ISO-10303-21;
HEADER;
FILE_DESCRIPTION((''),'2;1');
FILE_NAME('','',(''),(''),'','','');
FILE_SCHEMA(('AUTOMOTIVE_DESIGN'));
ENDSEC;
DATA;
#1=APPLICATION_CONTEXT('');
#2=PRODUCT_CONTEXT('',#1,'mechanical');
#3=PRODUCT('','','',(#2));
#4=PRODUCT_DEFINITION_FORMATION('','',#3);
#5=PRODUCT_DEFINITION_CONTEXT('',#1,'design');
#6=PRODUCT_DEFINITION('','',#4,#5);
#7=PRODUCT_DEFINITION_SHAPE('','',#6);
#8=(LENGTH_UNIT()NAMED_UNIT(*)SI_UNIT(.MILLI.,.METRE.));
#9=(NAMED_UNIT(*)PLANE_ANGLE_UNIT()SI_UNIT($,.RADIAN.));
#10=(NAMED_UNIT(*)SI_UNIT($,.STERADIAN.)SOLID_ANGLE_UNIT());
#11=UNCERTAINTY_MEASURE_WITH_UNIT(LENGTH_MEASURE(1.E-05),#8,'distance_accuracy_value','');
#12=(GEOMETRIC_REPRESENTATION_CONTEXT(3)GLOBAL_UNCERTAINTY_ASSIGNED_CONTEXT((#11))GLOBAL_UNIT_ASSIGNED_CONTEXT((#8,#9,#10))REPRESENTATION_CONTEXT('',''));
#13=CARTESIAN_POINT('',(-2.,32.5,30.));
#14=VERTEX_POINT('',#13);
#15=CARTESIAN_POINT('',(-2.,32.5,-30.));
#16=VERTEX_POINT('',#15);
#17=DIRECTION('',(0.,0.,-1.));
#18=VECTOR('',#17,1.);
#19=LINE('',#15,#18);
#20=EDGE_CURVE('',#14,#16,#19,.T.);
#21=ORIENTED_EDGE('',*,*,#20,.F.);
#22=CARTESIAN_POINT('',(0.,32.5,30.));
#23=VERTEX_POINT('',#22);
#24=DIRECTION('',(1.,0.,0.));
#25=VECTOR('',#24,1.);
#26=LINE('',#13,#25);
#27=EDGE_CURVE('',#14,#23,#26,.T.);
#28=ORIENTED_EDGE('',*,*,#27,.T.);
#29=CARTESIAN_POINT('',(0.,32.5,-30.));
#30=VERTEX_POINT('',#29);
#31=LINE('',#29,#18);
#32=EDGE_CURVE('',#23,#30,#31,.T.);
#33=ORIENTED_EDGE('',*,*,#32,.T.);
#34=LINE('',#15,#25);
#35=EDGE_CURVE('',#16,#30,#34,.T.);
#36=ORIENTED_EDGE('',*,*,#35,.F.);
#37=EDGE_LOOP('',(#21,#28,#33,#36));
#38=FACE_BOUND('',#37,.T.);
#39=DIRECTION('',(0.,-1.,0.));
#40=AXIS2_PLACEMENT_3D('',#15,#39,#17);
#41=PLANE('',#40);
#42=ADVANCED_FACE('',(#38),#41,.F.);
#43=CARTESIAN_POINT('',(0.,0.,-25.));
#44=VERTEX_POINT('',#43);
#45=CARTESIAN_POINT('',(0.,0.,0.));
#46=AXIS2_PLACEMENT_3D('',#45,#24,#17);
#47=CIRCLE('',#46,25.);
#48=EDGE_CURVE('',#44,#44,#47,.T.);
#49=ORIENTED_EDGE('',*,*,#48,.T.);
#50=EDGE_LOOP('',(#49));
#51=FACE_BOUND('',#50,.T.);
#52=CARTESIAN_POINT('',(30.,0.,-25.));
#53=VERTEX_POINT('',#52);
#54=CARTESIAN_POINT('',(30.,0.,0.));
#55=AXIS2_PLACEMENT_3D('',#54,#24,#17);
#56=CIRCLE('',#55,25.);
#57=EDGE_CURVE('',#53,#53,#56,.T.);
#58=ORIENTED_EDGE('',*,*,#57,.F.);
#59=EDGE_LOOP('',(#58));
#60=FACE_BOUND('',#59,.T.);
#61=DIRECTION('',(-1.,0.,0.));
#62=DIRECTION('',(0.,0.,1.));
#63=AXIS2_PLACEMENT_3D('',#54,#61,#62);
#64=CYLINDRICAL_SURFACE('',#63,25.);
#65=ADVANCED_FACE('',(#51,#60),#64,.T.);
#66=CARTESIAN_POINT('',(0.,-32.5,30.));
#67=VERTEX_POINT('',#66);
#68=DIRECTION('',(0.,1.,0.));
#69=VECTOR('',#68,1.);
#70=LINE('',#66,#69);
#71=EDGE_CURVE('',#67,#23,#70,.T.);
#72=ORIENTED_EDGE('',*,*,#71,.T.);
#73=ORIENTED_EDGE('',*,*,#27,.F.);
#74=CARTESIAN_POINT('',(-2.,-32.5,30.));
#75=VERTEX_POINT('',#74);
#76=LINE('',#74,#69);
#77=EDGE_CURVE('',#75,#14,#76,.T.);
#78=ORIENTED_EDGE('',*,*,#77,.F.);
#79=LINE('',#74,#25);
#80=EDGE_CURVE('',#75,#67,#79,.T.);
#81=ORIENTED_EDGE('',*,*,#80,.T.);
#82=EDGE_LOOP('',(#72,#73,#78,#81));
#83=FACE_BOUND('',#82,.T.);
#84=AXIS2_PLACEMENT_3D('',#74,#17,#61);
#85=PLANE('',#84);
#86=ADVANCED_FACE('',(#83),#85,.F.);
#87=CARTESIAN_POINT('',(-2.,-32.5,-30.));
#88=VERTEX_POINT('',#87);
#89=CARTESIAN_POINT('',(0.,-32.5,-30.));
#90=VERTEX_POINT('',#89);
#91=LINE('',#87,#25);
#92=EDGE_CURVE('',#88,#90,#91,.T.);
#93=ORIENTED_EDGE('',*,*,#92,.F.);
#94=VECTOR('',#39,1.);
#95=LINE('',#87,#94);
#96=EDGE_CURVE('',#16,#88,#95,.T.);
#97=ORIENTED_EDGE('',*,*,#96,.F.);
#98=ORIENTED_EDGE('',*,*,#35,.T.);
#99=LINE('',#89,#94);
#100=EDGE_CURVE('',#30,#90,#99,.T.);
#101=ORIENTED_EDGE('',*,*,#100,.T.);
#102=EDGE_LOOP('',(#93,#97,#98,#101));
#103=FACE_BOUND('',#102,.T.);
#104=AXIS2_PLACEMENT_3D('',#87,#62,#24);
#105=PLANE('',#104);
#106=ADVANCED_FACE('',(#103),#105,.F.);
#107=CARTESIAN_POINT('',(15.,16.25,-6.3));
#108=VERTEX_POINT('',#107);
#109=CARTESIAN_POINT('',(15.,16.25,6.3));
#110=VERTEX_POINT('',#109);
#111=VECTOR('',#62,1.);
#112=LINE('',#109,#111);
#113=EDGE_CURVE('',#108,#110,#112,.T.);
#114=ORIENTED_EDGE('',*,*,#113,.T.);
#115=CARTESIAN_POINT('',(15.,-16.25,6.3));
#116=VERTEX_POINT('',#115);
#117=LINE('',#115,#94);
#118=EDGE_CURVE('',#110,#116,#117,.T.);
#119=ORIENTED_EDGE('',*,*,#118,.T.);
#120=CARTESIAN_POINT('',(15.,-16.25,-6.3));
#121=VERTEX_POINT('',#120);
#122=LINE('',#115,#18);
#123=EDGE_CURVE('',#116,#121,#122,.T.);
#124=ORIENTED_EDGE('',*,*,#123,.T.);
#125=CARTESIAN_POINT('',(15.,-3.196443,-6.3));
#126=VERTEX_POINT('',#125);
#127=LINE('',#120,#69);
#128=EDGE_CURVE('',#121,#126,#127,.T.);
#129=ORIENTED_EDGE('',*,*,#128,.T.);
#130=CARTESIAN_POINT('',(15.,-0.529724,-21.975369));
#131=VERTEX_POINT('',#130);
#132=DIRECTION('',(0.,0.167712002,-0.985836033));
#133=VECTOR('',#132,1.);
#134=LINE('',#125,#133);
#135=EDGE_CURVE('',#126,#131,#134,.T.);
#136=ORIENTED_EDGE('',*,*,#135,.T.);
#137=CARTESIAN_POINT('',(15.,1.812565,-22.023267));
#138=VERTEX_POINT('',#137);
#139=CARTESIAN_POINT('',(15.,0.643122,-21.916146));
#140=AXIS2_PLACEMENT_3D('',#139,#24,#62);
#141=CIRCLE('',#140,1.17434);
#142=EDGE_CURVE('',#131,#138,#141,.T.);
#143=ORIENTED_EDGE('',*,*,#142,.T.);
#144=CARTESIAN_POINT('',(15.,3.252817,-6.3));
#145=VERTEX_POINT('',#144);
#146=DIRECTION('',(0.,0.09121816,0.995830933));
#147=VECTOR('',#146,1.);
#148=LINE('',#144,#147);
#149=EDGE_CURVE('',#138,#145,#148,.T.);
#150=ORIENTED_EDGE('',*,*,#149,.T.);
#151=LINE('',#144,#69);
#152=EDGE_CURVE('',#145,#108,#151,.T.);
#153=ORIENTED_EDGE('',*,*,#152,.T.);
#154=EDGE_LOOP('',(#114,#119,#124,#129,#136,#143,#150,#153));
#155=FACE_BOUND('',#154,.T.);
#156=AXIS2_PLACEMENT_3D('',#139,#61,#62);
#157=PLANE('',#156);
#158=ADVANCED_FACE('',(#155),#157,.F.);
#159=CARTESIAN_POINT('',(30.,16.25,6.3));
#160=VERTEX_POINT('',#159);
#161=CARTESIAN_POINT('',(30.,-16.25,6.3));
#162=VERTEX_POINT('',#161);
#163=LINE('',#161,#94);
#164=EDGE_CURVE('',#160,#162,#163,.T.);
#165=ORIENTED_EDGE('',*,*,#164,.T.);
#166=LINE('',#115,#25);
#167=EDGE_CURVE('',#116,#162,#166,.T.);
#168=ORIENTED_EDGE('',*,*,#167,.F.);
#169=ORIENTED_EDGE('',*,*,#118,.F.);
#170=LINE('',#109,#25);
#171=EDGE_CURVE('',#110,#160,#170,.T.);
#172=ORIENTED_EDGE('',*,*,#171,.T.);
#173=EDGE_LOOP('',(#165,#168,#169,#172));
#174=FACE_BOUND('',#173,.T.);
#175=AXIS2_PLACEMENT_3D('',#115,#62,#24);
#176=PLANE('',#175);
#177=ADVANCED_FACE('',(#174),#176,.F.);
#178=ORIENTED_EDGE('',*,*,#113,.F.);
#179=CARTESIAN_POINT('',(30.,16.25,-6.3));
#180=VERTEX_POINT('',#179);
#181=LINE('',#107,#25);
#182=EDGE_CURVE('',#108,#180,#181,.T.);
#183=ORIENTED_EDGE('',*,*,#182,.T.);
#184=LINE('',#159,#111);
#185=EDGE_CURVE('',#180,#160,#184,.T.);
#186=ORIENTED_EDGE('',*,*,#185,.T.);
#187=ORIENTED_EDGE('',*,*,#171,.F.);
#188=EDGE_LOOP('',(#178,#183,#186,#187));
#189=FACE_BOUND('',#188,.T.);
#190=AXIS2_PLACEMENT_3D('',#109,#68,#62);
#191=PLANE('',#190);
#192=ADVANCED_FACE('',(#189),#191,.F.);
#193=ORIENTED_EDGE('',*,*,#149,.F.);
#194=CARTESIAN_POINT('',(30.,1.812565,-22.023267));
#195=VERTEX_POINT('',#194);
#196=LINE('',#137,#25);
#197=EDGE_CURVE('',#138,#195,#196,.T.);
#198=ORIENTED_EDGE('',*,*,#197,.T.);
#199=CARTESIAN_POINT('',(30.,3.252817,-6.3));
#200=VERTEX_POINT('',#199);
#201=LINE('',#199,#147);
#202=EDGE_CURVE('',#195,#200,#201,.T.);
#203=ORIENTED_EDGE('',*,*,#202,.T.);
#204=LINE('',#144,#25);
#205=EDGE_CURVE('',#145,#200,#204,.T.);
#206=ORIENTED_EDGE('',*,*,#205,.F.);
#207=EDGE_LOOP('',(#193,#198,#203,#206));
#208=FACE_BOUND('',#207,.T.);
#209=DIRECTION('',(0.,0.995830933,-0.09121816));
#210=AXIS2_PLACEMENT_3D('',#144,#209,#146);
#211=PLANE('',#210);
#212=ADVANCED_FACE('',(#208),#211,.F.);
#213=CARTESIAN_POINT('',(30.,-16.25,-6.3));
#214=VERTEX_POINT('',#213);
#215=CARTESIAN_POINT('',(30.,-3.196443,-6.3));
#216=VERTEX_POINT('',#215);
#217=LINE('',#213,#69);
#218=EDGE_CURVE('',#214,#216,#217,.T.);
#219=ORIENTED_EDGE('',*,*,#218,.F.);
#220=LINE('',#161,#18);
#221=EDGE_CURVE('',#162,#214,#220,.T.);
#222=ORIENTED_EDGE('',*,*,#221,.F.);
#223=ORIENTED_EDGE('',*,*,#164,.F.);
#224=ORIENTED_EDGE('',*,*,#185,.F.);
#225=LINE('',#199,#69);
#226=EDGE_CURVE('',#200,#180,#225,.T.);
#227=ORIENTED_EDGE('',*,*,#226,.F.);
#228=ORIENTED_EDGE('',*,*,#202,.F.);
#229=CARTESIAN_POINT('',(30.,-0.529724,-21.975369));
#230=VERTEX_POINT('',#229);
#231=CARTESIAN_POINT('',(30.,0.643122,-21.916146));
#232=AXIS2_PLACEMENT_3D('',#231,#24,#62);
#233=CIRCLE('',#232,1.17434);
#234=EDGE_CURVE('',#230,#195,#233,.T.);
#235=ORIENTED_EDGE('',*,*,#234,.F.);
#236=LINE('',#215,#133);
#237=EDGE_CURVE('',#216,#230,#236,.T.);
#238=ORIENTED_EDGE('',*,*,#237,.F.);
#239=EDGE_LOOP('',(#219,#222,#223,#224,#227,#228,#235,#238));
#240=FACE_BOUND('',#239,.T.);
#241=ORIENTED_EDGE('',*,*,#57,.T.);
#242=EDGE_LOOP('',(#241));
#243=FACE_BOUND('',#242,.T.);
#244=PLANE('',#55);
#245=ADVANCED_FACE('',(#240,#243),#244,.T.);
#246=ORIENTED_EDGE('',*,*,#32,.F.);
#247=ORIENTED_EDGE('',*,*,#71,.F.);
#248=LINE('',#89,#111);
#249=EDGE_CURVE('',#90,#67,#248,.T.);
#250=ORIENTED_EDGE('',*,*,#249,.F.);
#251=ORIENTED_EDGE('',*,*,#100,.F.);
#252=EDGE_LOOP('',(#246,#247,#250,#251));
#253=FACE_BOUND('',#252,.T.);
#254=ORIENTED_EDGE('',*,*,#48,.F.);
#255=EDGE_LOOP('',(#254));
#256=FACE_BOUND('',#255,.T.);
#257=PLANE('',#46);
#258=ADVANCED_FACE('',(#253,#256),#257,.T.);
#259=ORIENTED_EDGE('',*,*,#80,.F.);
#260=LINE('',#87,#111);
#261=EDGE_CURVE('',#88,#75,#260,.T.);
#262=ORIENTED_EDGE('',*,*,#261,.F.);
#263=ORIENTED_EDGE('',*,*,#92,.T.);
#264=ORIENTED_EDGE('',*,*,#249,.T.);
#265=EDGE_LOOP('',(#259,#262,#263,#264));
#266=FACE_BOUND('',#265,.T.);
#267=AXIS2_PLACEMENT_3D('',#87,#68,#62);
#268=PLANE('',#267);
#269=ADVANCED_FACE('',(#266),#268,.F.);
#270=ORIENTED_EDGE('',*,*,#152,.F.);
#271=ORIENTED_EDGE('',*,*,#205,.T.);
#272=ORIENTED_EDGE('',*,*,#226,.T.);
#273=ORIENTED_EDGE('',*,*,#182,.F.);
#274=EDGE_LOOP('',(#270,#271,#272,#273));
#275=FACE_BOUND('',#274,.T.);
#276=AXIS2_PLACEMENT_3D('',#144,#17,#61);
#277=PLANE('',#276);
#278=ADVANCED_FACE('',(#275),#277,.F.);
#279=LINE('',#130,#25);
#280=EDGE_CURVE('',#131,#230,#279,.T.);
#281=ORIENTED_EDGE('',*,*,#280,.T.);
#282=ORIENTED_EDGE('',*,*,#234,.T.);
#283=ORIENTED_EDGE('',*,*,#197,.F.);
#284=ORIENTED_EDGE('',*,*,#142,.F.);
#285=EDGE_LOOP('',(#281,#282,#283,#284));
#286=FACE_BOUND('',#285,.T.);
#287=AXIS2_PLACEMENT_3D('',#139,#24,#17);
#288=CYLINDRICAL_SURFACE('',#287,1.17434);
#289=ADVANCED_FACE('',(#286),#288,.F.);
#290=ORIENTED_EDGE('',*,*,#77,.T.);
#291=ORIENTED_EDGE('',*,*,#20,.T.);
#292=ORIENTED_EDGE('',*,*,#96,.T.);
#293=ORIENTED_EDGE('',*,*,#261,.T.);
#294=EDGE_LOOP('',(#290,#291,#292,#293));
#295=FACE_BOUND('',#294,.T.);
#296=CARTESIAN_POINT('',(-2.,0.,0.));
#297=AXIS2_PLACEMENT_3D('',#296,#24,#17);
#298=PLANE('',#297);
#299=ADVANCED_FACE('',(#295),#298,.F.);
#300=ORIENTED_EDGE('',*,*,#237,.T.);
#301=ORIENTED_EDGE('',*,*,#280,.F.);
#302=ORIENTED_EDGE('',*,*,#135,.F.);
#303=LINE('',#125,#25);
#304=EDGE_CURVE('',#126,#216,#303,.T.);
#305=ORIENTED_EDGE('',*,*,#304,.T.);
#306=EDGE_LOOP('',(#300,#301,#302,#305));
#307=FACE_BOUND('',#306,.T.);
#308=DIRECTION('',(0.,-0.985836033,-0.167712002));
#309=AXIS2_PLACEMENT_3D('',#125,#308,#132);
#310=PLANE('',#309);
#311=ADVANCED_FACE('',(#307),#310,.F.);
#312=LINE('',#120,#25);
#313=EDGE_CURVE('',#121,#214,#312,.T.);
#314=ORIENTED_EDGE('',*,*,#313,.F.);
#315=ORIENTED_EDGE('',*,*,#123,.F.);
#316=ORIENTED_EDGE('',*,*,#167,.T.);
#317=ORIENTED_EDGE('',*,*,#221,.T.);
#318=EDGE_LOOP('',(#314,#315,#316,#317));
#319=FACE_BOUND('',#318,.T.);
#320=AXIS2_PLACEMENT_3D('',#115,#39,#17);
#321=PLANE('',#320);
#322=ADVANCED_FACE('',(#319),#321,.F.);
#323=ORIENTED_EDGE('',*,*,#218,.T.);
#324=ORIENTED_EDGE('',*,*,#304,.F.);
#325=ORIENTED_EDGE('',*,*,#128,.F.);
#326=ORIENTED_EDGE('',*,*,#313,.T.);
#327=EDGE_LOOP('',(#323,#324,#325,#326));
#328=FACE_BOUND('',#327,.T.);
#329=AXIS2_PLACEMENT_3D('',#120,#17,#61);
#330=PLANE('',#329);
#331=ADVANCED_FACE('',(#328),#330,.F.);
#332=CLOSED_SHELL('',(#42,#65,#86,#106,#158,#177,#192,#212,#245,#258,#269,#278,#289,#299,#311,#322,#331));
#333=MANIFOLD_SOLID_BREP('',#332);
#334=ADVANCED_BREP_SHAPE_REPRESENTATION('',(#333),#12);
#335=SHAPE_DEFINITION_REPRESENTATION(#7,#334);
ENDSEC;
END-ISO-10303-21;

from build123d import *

# Parameters (mm, degrees)
SKETCH3_R           = 25
BOSS_EXTRUDE2_DEPTH = 30
CUT_EXTRUDE1_DEPTH  = 15
SKETCH6_W           = 60
SKETCH6_H           = 65
BOSS_EXTRUDE3_DEPTH = 2


with BuildPart() as part:
    # Sketch3 → Boss-Extrude2 (new body)
    with BuildSketch(Plane(origin=(0, 0, 0), x_dir=(0, 0, -1), z_dir=(1, 0, 0))):
        Circle(SKETCH3_R)
    extrude(amount=BOSS_EXTRUDE2_DEPTH)

    # Sketch4 → Cut-Extrude1 (cut)
    with BuildSketch(Plane(origin=(30, 0, 0), x_dir=(0, 0, -1), z_dir=(1, 0, 0))):
        with BuildLine():
            Line((6.3, 3.252817327), (22.023267424, 1.812565295))
            ThreePointArc((22.023267424, 1.812565295), (23.090240495, 0.619111869), (21.975368687, -0.529723832))
            Line((21.975368687, -0.529723832), (6.3, -3.196442617))
            Line((6.3, -3.196442617), (6.3, -16.25))
            Line((6.3, -16.25), (-6.3, -16.25))
            Line((-6.3, -16.25), (-6.3, 16.25))
            Line((-6.3, 16.25), (6.3, 16.25))
            Line((6.3, 16.25), (6.3, 3.252817327))
        make_face()
    extrude(amount=-CUT_EXTRUDE1_DEPTH, mode=Mode.SUBTRACT)

    # Sketch6 → Boss-Extrude3 (add)
    with BuildSketch(Plane.ZY):
        Rectangle(SKETCH6_W, SKETCH6_H)
    extrude(amount=BOSS_EXTRUDE3_DEPTH)


solid = part.part
